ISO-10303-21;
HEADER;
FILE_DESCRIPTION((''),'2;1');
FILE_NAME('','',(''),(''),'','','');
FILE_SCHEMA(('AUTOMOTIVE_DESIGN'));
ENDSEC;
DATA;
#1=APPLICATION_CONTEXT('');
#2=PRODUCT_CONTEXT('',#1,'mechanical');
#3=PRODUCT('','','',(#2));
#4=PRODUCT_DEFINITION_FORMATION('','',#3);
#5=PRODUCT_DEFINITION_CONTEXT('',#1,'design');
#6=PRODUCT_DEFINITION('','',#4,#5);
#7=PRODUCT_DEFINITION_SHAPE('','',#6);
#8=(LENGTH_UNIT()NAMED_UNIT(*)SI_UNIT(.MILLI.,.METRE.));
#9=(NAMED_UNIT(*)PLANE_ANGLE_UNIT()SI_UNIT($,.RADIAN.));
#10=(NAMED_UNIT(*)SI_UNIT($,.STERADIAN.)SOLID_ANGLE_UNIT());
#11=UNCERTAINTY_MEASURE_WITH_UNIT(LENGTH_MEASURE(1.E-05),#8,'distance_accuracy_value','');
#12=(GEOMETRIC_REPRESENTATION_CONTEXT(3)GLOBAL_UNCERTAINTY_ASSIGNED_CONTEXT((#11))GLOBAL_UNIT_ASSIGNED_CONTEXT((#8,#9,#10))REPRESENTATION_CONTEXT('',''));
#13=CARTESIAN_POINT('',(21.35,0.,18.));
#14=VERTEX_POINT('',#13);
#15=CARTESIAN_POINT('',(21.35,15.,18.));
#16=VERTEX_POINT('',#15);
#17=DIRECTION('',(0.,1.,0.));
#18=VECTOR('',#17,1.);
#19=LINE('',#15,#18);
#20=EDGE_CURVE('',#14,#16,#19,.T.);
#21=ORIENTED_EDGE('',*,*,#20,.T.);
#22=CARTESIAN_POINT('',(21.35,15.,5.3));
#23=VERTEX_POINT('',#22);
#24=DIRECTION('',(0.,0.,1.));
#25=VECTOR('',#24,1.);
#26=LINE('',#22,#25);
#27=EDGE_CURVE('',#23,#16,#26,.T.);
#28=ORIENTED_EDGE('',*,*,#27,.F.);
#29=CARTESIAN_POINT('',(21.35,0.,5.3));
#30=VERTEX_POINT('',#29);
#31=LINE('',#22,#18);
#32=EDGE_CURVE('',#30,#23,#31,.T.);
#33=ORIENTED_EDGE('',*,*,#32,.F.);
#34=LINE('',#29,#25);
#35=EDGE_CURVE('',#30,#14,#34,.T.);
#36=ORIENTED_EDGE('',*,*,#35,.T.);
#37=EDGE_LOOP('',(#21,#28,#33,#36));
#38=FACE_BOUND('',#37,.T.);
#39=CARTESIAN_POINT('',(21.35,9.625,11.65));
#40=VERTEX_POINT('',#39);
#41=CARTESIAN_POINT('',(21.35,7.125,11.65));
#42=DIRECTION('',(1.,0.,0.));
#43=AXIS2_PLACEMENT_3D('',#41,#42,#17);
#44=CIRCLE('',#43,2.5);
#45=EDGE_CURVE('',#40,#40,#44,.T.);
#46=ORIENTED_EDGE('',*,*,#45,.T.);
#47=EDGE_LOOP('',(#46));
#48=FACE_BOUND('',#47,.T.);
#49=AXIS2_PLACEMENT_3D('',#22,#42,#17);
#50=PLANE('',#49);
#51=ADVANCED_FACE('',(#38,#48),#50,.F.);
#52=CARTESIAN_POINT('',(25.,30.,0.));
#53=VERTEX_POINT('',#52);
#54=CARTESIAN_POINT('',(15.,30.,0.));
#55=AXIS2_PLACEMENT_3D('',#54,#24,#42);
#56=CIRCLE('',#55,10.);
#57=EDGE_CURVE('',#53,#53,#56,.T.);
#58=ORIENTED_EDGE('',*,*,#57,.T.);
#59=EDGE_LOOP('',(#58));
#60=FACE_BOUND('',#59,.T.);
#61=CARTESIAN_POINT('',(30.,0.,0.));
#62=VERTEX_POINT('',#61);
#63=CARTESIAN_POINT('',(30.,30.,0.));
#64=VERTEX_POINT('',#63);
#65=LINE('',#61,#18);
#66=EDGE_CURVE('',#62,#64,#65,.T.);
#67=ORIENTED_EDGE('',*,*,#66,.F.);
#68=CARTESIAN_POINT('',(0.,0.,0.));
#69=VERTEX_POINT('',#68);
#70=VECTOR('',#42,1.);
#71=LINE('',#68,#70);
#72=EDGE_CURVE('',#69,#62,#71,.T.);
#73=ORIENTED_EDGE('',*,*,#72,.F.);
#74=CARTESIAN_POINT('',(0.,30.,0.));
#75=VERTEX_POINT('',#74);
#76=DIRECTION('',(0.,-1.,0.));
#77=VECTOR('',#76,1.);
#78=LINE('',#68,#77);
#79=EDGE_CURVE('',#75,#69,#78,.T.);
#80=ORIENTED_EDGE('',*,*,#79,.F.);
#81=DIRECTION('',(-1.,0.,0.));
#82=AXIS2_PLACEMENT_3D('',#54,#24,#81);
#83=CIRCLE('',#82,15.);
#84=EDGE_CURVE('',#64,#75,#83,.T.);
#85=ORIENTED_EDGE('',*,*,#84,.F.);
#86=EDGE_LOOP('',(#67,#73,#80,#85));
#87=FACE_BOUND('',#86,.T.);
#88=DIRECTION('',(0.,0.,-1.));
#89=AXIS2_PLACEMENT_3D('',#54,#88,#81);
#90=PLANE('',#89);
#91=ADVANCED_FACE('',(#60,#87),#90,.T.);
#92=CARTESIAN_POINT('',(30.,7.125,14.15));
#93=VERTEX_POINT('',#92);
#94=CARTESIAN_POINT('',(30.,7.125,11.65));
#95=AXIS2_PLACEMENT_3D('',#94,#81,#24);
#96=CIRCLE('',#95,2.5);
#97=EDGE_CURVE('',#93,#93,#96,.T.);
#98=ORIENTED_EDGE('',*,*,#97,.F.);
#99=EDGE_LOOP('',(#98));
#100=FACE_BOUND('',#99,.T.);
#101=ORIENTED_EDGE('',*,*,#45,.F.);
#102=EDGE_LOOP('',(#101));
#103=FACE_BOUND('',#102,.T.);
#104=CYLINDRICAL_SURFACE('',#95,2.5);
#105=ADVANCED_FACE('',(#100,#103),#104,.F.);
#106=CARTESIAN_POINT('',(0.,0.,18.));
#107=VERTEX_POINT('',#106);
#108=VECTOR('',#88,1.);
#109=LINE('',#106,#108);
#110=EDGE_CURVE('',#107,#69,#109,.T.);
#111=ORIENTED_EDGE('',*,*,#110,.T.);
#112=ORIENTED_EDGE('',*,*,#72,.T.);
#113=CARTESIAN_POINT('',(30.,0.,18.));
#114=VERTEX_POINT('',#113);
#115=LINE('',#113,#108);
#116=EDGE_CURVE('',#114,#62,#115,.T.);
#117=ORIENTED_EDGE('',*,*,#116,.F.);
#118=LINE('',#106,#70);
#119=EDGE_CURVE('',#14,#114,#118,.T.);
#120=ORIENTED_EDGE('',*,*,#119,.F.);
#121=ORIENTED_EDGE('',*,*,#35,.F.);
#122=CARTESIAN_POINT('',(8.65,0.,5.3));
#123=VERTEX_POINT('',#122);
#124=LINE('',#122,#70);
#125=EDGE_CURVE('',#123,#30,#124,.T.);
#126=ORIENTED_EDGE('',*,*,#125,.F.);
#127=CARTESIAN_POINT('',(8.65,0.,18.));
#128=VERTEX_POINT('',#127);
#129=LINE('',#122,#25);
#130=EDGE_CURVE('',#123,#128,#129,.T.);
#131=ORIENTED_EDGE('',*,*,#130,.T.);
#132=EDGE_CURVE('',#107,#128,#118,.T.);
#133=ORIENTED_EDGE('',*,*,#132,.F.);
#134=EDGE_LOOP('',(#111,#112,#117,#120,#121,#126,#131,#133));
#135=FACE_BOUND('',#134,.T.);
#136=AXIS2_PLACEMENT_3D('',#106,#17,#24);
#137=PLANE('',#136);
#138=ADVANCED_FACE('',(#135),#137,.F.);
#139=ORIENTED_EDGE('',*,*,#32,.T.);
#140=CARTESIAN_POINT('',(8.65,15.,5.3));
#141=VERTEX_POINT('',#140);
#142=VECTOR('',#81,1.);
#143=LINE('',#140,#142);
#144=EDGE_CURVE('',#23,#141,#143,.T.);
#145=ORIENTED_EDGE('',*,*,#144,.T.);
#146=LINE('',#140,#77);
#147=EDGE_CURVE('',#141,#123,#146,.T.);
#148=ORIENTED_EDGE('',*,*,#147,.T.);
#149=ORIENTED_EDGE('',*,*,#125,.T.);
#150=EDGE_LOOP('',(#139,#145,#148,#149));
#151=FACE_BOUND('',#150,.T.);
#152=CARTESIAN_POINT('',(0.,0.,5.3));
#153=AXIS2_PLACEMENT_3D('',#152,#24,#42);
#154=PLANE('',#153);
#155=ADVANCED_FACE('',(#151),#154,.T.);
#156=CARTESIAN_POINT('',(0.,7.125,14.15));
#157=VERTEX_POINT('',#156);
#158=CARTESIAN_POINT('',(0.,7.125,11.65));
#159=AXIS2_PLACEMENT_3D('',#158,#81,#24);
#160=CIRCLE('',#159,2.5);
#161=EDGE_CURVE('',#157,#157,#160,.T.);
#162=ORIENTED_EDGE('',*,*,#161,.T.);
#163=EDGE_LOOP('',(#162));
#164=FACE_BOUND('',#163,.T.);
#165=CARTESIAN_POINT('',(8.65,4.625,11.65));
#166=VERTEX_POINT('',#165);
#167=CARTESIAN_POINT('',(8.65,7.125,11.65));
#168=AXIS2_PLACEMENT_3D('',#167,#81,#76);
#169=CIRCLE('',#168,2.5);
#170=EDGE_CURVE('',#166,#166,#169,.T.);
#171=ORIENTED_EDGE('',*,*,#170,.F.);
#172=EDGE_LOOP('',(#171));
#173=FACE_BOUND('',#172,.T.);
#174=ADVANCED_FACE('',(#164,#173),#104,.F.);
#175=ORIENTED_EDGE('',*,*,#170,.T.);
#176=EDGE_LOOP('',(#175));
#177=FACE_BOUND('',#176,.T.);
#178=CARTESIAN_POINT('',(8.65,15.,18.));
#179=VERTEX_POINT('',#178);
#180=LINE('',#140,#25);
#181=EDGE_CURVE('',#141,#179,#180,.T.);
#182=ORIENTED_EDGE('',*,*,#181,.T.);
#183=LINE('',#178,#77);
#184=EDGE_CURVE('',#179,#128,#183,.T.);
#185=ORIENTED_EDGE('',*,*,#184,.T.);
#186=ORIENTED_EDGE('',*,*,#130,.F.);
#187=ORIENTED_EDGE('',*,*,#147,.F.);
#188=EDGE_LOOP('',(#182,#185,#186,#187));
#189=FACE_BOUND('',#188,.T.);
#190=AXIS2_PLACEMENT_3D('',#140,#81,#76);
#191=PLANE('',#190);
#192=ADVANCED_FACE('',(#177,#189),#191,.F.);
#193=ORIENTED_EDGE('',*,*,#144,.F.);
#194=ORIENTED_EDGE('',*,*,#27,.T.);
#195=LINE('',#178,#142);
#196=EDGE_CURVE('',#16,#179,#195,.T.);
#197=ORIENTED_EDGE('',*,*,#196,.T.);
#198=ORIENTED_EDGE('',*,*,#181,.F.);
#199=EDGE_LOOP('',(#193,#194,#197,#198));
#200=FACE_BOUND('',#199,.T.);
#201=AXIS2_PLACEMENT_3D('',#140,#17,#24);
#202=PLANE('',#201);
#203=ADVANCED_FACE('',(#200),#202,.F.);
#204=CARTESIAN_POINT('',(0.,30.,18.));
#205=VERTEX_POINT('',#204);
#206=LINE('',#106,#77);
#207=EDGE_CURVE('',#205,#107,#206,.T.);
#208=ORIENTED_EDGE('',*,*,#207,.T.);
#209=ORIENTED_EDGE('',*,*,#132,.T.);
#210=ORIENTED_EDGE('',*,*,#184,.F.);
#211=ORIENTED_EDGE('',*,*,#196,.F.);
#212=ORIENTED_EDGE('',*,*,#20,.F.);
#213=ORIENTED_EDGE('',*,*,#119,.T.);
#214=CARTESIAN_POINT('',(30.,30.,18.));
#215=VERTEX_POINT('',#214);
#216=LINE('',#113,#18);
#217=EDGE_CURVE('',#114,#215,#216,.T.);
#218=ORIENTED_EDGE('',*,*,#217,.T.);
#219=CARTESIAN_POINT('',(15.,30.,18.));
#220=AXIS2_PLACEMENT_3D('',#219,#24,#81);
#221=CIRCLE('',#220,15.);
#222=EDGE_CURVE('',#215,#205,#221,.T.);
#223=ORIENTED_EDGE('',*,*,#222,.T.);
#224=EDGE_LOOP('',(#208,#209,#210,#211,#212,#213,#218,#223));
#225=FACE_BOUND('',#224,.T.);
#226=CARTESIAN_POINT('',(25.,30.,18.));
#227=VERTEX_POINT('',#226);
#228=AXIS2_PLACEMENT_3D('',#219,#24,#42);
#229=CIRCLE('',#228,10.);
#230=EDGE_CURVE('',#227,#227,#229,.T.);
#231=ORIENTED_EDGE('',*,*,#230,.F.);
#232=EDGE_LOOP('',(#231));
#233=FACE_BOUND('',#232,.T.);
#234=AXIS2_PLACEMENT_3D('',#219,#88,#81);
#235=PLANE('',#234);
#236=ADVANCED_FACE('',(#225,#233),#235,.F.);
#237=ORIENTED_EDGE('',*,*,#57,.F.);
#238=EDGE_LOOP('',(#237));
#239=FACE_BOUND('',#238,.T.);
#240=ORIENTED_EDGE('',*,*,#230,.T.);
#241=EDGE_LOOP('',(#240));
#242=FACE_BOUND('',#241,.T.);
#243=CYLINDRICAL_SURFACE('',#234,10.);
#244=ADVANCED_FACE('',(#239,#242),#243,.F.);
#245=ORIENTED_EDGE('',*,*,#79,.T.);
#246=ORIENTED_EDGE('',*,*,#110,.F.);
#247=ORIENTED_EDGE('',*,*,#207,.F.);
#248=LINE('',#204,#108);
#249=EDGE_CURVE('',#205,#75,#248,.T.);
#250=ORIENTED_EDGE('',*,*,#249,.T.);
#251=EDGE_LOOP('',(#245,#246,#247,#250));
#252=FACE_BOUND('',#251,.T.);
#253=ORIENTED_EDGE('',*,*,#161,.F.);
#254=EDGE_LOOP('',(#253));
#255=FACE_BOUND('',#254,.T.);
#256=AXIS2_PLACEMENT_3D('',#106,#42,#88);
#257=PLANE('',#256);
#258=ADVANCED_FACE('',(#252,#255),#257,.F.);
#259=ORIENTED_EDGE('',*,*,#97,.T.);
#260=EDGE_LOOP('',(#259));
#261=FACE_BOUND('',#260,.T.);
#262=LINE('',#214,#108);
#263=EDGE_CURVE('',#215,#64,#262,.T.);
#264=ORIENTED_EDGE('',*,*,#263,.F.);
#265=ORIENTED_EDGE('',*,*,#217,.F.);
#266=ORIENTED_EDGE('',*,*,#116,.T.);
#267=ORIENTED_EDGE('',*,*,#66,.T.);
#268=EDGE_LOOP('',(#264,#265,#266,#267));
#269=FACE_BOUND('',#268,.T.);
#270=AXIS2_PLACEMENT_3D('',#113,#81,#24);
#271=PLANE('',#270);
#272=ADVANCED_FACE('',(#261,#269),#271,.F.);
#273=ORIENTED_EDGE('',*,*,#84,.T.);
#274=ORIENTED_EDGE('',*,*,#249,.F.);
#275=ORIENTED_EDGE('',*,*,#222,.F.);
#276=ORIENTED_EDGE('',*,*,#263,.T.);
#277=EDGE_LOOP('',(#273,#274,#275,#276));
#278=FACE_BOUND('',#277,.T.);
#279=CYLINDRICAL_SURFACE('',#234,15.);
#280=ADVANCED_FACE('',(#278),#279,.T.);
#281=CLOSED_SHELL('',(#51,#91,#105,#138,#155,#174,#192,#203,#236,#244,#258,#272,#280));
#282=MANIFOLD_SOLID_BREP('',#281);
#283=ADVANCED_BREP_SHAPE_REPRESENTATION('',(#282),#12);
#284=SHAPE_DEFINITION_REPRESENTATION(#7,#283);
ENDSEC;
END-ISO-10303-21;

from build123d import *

# Parameters (mm, degrees)
ESQUISSE1_R             = 10
BOSS_EXTRU_1_DEPTH      = 18
ESQUISSE2_W             = 12.7
ESQUISSE2_H             = 15
ENL_V_MAT_EXTRU_1_DEPTH = 12.7
ESQUISSE3_R             = 2.5
ENL_V_MAT_EXTRU_2_DEPTH = 31


with BuildPart() as part:
    # Esquisse1 → Boss.-Extru.1 (new body)
    with BuildSketch(Plane.XY):
        with BuildLine():
            Line((0, 0), (30, 0))
            Line((30, 0), (30, 30))
            ThreePointArc((30, 30), (15, 45), (0, 30))
            Line((0, 30), (0, 0))
        make_face()
        with Locations((15, 30)):
            Circle(ESQUISSE1_R, mode=Mode.SUBTRACT)
    extrude(amount=BOSS_EXTRU_1_DEPTH)

    # Esquisse2 → Enlèv. mat.-Extru.1 (cut)
    with BuildSketch(Plane.XY.offset(18)):
        with Locations((15, 7.5)):
            Rectangle(ESQUISSE2_W, ESQUISSE2_H)
    extrude(amount=-ENL_V_MAT_EXTRU_1_DEPTH, mode=Mode.SUBTRACT)

    # Esquisse3 → Enlèv. mat.-Extru.2 (cut, through all)
    with BuildSketch(Plane.ZY):
        with Locations((11.65, 7.125)):
            Circle(ESQUISSE3_R)
    extrude(amount=-ENL_V_MAT_EXTRU_2_DEPTH, mode=Mode.SUBTRACT)


solid = part.part
